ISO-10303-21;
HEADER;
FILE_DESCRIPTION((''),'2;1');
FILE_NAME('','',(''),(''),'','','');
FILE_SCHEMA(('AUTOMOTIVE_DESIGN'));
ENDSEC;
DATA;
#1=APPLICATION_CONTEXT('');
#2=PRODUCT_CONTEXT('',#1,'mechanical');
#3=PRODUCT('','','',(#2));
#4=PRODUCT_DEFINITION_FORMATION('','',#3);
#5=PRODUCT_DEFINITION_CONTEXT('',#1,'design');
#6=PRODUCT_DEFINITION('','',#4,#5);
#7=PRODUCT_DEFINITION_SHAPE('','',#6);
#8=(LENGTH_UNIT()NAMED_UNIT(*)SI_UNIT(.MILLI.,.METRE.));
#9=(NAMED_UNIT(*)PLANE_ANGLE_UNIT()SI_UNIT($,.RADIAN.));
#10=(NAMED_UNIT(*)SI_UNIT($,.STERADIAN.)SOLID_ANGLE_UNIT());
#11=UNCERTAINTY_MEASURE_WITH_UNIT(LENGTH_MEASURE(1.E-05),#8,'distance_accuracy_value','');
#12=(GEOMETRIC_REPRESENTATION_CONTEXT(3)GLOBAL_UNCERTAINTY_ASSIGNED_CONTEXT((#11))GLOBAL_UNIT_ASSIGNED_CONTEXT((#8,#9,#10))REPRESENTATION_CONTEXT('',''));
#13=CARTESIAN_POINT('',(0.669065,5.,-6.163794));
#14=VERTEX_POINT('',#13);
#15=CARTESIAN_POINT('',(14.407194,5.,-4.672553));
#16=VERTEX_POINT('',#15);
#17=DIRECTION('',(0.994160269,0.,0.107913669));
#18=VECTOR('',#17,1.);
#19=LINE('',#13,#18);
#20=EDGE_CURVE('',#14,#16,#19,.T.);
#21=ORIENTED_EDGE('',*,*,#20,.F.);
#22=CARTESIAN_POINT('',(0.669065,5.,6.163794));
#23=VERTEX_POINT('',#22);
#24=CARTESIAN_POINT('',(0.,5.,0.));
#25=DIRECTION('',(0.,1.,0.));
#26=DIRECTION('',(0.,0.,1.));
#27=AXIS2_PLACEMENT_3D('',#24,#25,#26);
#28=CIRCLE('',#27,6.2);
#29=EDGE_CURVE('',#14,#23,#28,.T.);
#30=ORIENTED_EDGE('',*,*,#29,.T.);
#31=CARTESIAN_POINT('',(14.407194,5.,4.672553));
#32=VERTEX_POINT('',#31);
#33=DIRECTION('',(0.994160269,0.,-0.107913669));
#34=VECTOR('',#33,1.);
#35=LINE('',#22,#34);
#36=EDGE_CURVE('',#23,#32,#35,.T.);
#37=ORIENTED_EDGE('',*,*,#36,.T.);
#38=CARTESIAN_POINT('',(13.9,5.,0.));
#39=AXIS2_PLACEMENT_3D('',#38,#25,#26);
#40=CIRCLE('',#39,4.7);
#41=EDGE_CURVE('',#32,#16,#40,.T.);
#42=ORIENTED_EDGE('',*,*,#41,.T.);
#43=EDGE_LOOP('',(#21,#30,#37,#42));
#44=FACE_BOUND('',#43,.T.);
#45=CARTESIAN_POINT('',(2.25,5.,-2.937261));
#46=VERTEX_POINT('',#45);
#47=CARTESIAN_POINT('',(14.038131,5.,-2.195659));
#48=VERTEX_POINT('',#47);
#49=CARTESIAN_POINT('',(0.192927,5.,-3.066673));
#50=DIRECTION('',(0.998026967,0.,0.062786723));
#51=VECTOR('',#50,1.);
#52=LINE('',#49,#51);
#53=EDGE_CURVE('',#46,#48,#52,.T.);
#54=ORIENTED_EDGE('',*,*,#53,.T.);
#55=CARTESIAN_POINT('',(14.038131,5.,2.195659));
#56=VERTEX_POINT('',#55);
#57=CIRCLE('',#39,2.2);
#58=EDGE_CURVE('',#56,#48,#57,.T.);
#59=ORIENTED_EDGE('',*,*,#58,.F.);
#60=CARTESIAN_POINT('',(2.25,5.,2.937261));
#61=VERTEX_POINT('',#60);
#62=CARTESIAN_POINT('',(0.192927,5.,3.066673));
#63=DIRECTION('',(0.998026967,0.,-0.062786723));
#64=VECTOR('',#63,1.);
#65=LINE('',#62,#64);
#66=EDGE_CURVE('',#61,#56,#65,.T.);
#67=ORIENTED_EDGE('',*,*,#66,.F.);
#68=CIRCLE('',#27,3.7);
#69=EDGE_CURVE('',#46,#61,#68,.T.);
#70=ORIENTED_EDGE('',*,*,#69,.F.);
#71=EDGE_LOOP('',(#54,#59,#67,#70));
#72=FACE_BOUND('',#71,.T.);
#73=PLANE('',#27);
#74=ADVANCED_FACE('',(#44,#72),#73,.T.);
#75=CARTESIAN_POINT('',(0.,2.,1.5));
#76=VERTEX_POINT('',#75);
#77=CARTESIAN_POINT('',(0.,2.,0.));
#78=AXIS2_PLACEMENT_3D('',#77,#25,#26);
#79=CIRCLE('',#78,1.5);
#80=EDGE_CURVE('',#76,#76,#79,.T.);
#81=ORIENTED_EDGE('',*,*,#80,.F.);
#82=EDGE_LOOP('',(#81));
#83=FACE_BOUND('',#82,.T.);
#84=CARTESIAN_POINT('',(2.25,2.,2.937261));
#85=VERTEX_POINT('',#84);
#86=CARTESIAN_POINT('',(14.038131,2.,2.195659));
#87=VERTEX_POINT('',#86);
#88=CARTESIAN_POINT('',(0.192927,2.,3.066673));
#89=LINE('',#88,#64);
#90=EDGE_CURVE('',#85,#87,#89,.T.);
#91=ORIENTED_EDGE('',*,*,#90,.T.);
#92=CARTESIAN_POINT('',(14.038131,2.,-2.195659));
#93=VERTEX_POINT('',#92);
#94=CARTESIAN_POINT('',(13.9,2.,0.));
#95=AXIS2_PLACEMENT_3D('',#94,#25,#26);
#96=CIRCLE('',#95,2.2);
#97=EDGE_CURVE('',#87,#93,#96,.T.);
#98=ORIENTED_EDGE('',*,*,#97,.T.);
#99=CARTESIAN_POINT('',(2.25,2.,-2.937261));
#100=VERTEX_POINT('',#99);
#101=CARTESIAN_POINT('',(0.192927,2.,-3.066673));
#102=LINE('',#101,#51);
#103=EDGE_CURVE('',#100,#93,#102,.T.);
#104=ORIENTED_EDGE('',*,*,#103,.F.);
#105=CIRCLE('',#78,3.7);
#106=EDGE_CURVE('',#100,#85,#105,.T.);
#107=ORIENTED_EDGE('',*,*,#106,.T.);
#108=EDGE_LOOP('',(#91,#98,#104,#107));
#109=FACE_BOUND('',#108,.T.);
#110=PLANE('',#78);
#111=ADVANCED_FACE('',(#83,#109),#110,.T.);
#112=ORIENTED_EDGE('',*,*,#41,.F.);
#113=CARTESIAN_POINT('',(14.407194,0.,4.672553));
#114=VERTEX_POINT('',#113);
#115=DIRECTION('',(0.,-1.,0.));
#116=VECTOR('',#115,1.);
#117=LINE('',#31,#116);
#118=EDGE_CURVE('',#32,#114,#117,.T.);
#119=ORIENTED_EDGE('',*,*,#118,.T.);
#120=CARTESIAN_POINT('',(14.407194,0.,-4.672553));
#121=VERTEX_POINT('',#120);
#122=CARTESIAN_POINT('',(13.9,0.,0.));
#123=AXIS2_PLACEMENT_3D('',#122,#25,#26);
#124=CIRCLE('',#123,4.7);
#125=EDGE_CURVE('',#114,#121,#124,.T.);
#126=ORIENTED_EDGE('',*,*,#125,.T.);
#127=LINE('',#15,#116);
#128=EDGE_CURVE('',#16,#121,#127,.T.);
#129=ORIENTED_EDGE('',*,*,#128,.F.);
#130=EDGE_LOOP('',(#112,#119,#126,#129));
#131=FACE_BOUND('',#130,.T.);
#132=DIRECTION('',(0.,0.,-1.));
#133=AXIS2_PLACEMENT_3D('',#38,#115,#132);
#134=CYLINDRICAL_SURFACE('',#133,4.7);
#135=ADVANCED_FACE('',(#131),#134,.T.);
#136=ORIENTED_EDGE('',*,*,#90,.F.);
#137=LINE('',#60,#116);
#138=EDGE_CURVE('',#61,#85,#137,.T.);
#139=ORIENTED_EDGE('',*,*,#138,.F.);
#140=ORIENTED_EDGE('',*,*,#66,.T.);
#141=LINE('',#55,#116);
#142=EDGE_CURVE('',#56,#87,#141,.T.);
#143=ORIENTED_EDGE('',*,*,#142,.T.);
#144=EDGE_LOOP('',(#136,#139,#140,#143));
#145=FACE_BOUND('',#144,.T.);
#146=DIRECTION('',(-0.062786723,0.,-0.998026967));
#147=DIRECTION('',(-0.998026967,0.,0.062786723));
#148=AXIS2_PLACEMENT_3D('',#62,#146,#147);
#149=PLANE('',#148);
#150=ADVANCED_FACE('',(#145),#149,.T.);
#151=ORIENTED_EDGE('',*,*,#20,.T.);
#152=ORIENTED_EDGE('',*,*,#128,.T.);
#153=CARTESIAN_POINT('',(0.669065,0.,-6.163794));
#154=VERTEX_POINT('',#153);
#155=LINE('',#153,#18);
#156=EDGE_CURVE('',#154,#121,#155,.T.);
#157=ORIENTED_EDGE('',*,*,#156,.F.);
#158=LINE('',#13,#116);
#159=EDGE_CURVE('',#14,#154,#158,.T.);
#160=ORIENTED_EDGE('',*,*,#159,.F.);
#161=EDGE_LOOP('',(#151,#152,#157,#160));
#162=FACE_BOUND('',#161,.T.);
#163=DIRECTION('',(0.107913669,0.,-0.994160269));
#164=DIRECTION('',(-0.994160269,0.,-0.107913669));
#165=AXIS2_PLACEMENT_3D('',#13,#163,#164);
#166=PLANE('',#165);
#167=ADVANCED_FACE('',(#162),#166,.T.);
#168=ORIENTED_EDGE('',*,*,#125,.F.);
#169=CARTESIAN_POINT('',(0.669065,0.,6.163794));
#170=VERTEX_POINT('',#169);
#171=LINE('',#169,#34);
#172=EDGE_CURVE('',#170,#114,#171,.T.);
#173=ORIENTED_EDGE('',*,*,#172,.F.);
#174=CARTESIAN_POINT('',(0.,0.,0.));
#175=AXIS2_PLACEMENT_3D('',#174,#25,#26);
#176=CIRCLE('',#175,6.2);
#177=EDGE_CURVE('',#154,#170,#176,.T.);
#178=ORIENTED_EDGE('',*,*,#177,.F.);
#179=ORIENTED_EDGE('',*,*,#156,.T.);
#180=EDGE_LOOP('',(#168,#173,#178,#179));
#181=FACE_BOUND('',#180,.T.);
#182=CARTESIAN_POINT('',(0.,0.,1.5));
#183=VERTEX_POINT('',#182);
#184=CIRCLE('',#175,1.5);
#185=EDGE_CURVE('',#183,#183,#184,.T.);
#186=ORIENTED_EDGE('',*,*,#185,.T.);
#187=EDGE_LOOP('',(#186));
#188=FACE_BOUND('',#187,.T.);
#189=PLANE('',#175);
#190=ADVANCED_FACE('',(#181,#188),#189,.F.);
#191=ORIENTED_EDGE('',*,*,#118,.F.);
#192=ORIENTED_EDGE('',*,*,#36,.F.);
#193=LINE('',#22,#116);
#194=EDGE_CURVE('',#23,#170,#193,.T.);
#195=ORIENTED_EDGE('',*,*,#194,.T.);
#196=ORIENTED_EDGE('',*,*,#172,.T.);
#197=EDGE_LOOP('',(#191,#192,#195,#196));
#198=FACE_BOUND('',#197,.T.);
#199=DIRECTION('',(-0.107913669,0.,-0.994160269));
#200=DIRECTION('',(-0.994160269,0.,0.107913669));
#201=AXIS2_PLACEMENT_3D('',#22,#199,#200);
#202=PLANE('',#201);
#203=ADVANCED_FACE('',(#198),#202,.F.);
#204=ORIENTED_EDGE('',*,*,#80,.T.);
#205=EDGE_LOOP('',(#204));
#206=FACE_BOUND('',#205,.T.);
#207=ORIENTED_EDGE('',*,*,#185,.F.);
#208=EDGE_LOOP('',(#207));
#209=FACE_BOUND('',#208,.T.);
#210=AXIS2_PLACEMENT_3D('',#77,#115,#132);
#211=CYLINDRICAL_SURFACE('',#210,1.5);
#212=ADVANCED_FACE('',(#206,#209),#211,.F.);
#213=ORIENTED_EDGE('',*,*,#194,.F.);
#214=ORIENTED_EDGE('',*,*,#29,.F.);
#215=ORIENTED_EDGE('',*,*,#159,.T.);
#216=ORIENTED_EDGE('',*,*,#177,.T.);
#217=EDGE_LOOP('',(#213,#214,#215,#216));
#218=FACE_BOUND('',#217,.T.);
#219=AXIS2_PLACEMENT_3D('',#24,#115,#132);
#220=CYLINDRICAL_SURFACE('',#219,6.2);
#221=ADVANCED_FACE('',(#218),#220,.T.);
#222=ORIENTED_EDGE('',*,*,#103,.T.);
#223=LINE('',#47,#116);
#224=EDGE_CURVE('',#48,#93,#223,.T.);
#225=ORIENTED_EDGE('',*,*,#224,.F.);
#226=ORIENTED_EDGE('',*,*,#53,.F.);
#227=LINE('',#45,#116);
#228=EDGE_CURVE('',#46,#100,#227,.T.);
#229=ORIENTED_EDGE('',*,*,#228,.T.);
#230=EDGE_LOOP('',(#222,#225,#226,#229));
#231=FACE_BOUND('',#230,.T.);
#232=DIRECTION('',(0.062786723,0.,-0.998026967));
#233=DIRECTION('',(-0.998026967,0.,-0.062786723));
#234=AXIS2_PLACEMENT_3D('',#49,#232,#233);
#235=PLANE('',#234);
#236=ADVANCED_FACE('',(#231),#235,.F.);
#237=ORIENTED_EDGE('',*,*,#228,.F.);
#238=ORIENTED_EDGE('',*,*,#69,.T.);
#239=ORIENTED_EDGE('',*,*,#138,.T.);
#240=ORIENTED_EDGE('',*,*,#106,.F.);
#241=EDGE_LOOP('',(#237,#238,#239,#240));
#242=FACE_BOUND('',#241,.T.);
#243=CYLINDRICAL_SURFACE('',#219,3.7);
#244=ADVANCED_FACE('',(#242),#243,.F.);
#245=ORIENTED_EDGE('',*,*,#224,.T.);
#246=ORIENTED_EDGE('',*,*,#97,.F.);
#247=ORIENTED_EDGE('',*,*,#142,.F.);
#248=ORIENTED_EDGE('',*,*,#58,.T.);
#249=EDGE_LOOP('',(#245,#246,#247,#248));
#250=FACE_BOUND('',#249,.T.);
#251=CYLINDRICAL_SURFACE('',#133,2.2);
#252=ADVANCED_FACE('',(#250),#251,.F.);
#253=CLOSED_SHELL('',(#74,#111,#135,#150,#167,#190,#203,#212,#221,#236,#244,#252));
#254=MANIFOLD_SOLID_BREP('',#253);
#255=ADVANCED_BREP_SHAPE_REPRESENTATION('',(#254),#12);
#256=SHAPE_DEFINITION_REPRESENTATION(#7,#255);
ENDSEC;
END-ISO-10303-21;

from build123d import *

# Parameters (mm, degrees)
SKETCH1_R           = 1.5
BOSS_EXTRUDE1_DEPTH = 2
BOSS_EXTRUDE2_DEPTH = 5


with BuildPart() as part:
    # Sketch1 → Boss-Extrude1 (new body)
    with BuildSketch(Plane(origin=(0, 0, 0), x_dir=(1, 0, 0), z_dir=(0, 1, 0))):
        with BuildLine():
            Line((14.03813079, 2.195659328), (2.25, 2.937260629))
            ThreePointArc((2.25, 2.937260629), (-3.7, 0), (2.25, -2.937260629))
            Line((2.25, -2.937260629), (14.03813079, -2.195659328))
            ThreePointArc((14.03813079, -2.195659328), (16.1, 0), (14.03813079, 2.195659328))
        make_face()
        Circle(SKETCH1_R, mode=Mode.SUBTRACT)
    extrude(amount=BOSS_EXTRUDE1_DEPTH)

    # Sketch1<3> → Boss-Extrude2 (add)
    with BuildSketch(Plane(origin=(0, 0, 0), x_dir=(1, 0, 0), z_dir=(0, 1, 0))):
        with BuildLine():
            Line((14.407194245, 4.672553263), (0.669064748, 6.163793666))
            ThreePointArc((0.669064748, 6.163793666), (-6.2, 0), (0.669064748, -6.163793666))
            Line((0.669064748, -6.163793666), (14.407194245, -4.672553263))
            ThreePointArc((14.407194245, -4.672553263), (18.6, 0), (14.407194245, 4.672553263))
        make_face()
        with BuildLine():
            ThreePointArc((2.25, -2.937260629), (-3.7, 0), (2.25, 2.937260629))
            Line((2.25, 2.937260629), (14.03813079, 2.195659328))
            ThreePointArc((14.03813079, 2.195659328), (16.1, 0), (14.03813079, -2.195659328))
            Line((14.03813079, -2.195659328), (2.25, -2.937260629))
        make_face(mode=Mode.SUBTRACT)
    extrude(amount=BOSS_EXTRUDE2_DEPTH)


solid = part.part
